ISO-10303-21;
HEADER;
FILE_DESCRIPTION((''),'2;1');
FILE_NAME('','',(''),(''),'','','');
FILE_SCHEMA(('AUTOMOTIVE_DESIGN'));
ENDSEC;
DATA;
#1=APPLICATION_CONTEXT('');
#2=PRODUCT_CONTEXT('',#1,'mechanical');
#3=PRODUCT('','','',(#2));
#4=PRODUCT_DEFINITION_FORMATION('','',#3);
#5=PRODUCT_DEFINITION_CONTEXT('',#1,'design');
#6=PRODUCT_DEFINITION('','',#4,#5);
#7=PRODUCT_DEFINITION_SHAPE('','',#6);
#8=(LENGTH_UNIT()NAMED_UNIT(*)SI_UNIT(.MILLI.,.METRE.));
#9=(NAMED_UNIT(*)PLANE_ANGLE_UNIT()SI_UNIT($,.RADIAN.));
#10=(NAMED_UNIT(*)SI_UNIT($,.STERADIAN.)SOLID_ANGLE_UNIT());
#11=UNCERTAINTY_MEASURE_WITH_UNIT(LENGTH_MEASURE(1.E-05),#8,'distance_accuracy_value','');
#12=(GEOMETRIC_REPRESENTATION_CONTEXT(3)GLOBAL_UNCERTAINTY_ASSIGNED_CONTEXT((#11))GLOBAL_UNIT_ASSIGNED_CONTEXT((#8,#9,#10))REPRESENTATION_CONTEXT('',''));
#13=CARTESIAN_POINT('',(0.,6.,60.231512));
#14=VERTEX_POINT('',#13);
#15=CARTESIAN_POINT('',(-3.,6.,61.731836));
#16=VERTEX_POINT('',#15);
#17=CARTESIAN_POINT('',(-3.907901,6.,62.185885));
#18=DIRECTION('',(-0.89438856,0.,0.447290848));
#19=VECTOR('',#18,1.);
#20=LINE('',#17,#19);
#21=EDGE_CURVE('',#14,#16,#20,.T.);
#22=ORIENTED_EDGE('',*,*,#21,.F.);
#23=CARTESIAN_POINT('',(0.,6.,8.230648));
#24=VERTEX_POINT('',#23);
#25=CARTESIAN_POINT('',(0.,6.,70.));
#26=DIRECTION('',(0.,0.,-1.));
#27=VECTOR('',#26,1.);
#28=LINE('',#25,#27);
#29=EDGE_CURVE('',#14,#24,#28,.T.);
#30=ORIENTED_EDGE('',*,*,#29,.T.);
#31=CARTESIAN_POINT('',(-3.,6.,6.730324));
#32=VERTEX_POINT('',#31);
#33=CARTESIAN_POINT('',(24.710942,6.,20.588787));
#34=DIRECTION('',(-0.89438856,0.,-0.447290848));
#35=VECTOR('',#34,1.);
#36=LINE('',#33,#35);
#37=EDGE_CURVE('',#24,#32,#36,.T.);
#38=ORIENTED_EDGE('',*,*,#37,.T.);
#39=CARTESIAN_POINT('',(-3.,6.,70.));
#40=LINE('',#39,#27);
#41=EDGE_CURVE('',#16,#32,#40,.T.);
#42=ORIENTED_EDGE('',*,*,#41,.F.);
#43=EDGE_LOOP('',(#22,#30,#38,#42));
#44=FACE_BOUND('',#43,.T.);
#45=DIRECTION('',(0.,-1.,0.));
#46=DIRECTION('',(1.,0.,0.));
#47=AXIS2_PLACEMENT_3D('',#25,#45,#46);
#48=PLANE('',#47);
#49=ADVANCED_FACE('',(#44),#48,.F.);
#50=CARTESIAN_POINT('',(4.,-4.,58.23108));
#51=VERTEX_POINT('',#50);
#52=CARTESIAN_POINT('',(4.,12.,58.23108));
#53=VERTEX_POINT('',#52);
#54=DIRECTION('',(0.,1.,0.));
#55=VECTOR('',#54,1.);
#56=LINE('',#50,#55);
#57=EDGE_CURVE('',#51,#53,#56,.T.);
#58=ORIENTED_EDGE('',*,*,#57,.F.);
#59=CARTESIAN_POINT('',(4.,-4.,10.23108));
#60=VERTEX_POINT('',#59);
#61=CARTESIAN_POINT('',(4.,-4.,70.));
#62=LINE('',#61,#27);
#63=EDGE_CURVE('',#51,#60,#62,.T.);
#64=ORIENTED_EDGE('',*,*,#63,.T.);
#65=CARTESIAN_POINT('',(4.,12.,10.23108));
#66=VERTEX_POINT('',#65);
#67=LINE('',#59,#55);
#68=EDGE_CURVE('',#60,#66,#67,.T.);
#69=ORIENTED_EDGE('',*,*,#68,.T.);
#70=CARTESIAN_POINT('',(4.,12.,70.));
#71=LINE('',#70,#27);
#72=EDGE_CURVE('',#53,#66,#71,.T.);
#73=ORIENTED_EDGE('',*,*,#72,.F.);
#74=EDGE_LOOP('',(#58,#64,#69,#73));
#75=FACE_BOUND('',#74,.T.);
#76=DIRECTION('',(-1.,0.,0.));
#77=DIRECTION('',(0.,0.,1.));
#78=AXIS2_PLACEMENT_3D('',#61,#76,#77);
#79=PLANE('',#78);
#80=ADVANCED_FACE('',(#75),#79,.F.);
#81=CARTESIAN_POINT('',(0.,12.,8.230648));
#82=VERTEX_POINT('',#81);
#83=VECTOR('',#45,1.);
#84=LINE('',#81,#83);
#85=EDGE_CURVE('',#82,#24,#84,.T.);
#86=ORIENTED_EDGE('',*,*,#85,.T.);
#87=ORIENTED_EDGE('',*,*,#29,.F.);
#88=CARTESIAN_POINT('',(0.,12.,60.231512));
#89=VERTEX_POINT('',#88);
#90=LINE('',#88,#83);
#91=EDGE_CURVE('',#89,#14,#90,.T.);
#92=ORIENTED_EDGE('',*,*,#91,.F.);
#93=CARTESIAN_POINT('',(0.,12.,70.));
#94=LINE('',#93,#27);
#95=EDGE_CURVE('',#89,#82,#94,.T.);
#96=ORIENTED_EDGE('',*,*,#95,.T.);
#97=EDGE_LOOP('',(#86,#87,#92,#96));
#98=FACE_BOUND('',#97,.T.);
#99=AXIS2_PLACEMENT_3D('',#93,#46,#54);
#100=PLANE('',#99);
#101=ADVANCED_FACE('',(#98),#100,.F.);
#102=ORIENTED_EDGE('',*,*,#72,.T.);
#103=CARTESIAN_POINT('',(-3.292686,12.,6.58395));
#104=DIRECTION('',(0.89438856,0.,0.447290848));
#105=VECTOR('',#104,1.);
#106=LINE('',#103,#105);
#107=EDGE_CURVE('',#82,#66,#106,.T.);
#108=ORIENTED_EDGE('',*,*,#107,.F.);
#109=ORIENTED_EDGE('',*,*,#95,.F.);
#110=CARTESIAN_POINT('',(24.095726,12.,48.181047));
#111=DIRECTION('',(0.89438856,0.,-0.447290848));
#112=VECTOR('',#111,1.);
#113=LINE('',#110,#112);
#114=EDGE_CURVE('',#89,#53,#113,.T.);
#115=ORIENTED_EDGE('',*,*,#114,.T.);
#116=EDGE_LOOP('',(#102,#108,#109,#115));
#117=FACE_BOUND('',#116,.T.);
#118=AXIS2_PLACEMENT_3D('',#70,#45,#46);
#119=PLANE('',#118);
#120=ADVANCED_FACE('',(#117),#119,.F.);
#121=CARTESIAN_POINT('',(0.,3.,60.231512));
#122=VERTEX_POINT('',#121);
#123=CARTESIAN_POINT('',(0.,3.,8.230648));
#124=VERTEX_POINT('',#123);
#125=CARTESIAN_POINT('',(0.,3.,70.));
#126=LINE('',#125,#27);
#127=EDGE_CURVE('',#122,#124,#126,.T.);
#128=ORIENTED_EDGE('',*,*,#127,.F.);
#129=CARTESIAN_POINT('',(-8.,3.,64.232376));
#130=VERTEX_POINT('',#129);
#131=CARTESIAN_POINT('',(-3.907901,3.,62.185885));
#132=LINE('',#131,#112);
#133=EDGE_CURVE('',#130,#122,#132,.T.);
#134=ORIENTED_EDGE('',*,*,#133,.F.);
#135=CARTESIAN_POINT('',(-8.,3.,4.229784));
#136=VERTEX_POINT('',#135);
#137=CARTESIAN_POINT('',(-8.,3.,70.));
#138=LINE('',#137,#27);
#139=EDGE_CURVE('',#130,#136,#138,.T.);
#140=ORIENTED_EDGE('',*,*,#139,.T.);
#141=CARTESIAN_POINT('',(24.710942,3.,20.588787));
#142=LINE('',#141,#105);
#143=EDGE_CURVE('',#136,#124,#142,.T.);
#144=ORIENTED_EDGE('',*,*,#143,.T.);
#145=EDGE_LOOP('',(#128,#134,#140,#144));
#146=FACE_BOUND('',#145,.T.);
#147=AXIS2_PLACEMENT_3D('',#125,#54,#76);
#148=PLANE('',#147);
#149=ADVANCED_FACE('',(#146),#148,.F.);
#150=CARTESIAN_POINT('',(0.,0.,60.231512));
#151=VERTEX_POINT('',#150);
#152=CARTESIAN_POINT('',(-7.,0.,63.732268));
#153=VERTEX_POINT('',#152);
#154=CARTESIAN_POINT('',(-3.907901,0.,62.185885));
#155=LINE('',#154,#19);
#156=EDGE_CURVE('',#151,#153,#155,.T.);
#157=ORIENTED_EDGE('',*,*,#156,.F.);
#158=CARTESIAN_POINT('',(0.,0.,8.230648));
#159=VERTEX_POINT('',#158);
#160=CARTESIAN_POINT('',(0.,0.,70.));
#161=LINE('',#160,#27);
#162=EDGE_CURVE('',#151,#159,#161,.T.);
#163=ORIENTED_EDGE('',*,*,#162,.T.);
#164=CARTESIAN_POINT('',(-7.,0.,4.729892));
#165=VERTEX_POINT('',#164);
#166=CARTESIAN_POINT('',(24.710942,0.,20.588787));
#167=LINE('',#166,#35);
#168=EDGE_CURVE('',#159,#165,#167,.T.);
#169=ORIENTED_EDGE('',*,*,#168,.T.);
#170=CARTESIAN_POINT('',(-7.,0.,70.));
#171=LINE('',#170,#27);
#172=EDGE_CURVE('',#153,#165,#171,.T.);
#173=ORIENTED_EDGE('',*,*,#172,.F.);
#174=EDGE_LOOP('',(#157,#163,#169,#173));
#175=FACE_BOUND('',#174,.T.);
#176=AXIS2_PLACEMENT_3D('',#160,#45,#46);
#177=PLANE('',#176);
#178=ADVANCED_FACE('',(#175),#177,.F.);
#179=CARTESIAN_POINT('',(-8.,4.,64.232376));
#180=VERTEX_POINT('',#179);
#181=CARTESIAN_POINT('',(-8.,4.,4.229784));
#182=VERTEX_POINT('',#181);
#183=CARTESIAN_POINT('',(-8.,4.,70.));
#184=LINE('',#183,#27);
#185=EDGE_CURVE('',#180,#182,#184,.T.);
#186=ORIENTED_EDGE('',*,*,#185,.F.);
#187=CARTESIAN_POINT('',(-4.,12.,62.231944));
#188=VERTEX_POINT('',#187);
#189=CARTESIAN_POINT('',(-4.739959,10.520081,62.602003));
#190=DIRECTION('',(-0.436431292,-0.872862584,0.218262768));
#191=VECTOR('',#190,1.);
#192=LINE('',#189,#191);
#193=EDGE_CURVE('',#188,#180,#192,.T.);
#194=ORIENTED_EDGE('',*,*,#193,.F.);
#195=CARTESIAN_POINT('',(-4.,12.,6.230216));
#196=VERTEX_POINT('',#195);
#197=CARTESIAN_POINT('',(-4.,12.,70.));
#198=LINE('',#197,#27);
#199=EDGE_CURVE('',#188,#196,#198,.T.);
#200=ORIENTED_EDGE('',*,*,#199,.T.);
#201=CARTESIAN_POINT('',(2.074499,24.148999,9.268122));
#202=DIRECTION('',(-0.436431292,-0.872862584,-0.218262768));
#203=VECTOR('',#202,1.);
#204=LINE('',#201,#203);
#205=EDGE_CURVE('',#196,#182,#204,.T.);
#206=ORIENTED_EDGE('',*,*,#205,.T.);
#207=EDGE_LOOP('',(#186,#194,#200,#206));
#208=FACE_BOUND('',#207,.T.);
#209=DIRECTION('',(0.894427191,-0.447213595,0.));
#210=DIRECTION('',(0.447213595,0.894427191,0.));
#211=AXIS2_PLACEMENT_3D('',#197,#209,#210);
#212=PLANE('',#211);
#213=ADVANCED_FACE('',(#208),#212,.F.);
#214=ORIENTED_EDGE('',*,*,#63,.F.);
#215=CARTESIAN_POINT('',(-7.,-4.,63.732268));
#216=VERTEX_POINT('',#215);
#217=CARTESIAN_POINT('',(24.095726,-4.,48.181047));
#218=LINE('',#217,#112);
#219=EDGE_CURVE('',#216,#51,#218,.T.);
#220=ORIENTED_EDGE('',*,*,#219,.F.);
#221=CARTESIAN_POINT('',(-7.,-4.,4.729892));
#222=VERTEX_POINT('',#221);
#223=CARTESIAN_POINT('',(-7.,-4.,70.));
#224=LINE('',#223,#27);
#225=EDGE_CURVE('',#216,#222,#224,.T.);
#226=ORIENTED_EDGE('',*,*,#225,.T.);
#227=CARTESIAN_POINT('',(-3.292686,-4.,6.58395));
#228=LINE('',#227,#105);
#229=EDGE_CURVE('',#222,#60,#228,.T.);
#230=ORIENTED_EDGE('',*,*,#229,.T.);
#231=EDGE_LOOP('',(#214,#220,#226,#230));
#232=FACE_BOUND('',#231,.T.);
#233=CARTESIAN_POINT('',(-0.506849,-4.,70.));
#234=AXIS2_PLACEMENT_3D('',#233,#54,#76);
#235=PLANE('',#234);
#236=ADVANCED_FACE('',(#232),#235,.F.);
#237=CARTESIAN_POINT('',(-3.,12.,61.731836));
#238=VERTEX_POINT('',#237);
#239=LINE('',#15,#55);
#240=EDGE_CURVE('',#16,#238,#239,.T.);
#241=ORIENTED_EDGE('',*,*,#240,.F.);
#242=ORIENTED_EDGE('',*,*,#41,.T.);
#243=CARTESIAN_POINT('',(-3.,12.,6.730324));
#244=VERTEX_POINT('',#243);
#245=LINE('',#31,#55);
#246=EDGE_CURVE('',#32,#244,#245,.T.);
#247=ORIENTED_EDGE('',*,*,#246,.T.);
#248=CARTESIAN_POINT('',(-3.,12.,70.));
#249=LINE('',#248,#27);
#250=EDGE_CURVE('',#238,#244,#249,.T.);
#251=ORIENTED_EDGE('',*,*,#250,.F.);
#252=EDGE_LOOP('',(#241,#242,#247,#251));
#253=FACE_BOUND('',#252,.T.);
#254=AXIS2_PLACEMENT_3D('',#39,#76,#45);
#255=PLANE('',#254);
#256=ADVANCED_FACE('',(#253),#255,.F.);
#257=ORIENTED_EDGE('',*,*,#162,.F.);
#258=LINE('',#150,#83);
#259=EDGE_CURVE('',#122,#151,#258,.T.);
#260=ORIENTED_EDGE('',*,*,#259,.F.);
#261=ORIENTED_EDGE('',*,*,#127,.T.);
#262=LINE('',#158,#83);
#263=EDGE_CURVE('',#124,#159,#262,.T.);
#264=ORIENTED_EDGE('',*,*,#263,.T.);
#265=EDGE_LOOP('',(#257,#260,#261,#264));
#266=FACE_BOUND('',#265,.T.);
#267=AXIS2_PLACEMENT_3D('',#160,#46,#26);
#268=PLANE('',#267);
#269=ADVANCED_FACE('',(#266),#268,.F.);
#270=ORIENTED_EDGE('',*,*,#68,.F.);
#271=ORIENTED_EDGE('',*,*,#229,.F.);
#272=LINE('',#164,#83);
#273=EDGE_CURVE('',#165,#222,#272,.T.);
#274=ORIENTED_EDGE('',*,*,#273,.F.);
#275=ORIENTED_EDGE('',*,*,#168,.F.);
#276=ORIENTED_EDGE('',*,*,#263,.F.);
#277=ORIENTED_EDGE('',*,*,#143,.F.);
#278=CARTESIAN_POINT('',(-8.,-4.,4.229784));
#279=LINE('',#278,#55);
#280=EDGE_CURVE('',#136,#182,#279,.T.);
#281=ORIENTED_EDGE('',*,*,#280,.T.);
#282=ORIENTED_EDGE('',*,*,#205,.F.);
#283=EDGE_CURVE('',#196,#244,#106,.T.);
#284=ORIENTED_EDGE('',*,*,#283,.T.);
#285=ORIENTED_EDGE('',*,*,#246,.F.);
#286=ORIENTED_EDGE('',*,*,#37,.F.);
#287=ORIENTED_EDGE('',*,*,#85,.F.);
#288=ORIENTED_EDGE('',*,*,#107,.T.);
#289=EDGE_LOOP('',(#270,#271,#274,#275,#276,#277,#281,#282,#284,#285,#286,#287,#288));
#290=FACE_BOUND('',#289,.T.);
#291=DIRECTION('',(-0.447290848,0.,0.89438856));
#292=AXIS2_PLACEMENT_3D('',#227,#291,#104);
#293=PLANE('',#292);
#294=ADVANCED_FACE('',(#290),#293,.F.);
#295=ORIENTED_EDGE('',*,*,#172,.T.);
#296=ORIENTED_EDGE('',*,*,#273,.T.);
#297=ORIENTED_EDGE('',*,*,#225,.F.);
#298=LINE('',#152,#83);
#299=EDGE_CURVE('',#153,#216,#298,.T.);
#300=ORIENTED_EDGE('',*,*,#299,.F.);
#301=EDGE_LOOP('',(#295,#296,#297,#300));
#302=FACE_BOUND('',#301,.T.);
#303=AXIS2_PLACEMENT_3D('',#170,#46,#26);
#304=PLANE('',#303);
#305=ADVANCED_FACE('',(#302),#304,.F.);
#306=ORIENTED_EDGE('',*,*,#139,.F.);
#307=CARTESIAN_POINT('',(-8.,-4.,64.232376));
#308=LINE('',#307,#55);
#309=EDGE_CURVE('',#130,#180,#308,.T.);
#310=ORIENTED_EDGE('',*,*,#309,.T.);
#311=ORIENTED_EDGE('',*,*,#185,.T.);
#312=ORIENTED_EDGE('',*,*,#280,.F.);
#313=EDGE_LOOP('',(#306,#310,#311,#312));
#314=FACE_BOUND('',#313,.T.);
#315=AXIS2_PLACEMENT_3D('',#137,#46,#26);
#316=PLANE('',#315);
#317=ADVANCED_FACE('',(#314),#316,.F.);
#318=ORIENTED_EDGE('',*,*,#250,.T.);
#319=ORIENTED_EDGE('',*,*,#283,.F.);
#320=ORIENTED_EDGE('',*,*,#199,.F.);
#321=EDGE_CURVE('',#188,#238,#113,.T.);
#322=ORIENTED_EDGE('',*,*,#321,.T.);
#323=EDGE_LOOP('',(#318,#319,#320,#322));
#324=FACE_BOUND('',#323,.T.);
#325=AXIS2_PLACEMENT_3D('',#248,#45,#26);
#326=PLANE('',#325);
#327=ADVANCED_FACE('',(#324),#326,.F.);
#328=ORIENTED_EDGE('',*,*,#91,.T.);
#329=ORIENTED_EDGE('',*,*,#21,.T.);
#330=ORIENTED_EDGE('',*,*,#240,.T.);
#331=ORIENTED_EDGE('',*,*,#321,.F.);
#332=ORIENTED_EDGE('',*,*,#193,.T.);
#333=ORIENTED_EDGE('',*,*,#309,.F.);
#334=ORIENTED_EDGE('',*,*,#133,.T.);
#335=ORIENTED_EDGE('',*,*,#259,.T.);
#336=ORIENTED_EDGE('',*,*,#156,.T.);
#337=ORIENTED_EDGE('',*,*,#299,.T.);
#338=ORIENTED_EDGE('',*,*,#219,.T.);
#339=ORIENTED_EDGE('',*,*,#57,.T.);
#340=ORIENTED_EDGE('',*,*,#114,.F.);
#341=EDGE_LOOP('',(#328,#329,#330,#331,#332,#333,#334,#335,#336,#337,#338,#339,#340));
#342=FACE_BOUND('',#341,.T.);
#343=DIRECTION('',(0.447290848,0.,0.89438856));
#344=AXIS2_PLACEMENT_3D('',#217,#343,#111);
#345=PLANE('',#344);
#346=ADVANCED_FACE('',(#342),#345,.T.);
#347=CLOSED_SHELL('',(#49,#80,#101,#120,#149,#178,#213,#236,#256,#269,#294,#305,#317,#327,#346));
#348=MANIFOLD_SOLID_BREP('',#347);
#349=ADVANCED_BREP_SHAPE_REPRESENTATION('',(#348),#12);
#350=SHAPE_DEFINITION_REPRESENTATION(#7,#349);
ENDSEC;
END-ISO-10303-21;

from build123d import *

# Parameters (mm, degrees)
DODANIE_WYCI_GNI_CIE1_DEPTH = 70
SZKIC2_OUTSIDE_W            = 28.56
SZKIC2_OUTSIDE_H            = 86.56
WYTNIJ_WYCI_GNI_CIE1_DEPTH  = 73.249567473


with BuildPart() as part:
    # Szkic1 → Dodanie-wyciągnięcie1 (new body)
    with BuildSketch(Plane.XY):
        Polygon((0, 0), (-7, 0), (-7, -4), (-0.506849315, -4), (4, -4), (4, 12), (0, 12), (0, 6), (-3, 6), (-3, 12), (-4, 12), (-8, 4), (-8, 3), (0, 3), align=None)
    extrude(amount=DODANIE_WYCI_GNI_CIE1_DEPTH)

    # Szkic2 outside → Wytnij-wyciągnięcie1 (cut, through all)
    with BuildSketch(Plane(origin=(0, 12, 0), x_dir=(1, 0, 0), z_dir=(0, 1, 0))):
        with Locations((-2, -35)):
            Rectangle(SZKIC2_OUTSIDE_W, SZKIC2_OUTSIDE_H)
        Polygon((-15.924171966, -0.266842792), (4, -10.231080013), (4, -58.231080013), (-15.924171966, -68.195317233), align=None, mode=Mode.SUBTRACT)
    extrude(amount=-WYTNIJ_WYCI_GNI_CIE1_DEPTH, mode=Mode.SUBTRACT)


solid = part.part
